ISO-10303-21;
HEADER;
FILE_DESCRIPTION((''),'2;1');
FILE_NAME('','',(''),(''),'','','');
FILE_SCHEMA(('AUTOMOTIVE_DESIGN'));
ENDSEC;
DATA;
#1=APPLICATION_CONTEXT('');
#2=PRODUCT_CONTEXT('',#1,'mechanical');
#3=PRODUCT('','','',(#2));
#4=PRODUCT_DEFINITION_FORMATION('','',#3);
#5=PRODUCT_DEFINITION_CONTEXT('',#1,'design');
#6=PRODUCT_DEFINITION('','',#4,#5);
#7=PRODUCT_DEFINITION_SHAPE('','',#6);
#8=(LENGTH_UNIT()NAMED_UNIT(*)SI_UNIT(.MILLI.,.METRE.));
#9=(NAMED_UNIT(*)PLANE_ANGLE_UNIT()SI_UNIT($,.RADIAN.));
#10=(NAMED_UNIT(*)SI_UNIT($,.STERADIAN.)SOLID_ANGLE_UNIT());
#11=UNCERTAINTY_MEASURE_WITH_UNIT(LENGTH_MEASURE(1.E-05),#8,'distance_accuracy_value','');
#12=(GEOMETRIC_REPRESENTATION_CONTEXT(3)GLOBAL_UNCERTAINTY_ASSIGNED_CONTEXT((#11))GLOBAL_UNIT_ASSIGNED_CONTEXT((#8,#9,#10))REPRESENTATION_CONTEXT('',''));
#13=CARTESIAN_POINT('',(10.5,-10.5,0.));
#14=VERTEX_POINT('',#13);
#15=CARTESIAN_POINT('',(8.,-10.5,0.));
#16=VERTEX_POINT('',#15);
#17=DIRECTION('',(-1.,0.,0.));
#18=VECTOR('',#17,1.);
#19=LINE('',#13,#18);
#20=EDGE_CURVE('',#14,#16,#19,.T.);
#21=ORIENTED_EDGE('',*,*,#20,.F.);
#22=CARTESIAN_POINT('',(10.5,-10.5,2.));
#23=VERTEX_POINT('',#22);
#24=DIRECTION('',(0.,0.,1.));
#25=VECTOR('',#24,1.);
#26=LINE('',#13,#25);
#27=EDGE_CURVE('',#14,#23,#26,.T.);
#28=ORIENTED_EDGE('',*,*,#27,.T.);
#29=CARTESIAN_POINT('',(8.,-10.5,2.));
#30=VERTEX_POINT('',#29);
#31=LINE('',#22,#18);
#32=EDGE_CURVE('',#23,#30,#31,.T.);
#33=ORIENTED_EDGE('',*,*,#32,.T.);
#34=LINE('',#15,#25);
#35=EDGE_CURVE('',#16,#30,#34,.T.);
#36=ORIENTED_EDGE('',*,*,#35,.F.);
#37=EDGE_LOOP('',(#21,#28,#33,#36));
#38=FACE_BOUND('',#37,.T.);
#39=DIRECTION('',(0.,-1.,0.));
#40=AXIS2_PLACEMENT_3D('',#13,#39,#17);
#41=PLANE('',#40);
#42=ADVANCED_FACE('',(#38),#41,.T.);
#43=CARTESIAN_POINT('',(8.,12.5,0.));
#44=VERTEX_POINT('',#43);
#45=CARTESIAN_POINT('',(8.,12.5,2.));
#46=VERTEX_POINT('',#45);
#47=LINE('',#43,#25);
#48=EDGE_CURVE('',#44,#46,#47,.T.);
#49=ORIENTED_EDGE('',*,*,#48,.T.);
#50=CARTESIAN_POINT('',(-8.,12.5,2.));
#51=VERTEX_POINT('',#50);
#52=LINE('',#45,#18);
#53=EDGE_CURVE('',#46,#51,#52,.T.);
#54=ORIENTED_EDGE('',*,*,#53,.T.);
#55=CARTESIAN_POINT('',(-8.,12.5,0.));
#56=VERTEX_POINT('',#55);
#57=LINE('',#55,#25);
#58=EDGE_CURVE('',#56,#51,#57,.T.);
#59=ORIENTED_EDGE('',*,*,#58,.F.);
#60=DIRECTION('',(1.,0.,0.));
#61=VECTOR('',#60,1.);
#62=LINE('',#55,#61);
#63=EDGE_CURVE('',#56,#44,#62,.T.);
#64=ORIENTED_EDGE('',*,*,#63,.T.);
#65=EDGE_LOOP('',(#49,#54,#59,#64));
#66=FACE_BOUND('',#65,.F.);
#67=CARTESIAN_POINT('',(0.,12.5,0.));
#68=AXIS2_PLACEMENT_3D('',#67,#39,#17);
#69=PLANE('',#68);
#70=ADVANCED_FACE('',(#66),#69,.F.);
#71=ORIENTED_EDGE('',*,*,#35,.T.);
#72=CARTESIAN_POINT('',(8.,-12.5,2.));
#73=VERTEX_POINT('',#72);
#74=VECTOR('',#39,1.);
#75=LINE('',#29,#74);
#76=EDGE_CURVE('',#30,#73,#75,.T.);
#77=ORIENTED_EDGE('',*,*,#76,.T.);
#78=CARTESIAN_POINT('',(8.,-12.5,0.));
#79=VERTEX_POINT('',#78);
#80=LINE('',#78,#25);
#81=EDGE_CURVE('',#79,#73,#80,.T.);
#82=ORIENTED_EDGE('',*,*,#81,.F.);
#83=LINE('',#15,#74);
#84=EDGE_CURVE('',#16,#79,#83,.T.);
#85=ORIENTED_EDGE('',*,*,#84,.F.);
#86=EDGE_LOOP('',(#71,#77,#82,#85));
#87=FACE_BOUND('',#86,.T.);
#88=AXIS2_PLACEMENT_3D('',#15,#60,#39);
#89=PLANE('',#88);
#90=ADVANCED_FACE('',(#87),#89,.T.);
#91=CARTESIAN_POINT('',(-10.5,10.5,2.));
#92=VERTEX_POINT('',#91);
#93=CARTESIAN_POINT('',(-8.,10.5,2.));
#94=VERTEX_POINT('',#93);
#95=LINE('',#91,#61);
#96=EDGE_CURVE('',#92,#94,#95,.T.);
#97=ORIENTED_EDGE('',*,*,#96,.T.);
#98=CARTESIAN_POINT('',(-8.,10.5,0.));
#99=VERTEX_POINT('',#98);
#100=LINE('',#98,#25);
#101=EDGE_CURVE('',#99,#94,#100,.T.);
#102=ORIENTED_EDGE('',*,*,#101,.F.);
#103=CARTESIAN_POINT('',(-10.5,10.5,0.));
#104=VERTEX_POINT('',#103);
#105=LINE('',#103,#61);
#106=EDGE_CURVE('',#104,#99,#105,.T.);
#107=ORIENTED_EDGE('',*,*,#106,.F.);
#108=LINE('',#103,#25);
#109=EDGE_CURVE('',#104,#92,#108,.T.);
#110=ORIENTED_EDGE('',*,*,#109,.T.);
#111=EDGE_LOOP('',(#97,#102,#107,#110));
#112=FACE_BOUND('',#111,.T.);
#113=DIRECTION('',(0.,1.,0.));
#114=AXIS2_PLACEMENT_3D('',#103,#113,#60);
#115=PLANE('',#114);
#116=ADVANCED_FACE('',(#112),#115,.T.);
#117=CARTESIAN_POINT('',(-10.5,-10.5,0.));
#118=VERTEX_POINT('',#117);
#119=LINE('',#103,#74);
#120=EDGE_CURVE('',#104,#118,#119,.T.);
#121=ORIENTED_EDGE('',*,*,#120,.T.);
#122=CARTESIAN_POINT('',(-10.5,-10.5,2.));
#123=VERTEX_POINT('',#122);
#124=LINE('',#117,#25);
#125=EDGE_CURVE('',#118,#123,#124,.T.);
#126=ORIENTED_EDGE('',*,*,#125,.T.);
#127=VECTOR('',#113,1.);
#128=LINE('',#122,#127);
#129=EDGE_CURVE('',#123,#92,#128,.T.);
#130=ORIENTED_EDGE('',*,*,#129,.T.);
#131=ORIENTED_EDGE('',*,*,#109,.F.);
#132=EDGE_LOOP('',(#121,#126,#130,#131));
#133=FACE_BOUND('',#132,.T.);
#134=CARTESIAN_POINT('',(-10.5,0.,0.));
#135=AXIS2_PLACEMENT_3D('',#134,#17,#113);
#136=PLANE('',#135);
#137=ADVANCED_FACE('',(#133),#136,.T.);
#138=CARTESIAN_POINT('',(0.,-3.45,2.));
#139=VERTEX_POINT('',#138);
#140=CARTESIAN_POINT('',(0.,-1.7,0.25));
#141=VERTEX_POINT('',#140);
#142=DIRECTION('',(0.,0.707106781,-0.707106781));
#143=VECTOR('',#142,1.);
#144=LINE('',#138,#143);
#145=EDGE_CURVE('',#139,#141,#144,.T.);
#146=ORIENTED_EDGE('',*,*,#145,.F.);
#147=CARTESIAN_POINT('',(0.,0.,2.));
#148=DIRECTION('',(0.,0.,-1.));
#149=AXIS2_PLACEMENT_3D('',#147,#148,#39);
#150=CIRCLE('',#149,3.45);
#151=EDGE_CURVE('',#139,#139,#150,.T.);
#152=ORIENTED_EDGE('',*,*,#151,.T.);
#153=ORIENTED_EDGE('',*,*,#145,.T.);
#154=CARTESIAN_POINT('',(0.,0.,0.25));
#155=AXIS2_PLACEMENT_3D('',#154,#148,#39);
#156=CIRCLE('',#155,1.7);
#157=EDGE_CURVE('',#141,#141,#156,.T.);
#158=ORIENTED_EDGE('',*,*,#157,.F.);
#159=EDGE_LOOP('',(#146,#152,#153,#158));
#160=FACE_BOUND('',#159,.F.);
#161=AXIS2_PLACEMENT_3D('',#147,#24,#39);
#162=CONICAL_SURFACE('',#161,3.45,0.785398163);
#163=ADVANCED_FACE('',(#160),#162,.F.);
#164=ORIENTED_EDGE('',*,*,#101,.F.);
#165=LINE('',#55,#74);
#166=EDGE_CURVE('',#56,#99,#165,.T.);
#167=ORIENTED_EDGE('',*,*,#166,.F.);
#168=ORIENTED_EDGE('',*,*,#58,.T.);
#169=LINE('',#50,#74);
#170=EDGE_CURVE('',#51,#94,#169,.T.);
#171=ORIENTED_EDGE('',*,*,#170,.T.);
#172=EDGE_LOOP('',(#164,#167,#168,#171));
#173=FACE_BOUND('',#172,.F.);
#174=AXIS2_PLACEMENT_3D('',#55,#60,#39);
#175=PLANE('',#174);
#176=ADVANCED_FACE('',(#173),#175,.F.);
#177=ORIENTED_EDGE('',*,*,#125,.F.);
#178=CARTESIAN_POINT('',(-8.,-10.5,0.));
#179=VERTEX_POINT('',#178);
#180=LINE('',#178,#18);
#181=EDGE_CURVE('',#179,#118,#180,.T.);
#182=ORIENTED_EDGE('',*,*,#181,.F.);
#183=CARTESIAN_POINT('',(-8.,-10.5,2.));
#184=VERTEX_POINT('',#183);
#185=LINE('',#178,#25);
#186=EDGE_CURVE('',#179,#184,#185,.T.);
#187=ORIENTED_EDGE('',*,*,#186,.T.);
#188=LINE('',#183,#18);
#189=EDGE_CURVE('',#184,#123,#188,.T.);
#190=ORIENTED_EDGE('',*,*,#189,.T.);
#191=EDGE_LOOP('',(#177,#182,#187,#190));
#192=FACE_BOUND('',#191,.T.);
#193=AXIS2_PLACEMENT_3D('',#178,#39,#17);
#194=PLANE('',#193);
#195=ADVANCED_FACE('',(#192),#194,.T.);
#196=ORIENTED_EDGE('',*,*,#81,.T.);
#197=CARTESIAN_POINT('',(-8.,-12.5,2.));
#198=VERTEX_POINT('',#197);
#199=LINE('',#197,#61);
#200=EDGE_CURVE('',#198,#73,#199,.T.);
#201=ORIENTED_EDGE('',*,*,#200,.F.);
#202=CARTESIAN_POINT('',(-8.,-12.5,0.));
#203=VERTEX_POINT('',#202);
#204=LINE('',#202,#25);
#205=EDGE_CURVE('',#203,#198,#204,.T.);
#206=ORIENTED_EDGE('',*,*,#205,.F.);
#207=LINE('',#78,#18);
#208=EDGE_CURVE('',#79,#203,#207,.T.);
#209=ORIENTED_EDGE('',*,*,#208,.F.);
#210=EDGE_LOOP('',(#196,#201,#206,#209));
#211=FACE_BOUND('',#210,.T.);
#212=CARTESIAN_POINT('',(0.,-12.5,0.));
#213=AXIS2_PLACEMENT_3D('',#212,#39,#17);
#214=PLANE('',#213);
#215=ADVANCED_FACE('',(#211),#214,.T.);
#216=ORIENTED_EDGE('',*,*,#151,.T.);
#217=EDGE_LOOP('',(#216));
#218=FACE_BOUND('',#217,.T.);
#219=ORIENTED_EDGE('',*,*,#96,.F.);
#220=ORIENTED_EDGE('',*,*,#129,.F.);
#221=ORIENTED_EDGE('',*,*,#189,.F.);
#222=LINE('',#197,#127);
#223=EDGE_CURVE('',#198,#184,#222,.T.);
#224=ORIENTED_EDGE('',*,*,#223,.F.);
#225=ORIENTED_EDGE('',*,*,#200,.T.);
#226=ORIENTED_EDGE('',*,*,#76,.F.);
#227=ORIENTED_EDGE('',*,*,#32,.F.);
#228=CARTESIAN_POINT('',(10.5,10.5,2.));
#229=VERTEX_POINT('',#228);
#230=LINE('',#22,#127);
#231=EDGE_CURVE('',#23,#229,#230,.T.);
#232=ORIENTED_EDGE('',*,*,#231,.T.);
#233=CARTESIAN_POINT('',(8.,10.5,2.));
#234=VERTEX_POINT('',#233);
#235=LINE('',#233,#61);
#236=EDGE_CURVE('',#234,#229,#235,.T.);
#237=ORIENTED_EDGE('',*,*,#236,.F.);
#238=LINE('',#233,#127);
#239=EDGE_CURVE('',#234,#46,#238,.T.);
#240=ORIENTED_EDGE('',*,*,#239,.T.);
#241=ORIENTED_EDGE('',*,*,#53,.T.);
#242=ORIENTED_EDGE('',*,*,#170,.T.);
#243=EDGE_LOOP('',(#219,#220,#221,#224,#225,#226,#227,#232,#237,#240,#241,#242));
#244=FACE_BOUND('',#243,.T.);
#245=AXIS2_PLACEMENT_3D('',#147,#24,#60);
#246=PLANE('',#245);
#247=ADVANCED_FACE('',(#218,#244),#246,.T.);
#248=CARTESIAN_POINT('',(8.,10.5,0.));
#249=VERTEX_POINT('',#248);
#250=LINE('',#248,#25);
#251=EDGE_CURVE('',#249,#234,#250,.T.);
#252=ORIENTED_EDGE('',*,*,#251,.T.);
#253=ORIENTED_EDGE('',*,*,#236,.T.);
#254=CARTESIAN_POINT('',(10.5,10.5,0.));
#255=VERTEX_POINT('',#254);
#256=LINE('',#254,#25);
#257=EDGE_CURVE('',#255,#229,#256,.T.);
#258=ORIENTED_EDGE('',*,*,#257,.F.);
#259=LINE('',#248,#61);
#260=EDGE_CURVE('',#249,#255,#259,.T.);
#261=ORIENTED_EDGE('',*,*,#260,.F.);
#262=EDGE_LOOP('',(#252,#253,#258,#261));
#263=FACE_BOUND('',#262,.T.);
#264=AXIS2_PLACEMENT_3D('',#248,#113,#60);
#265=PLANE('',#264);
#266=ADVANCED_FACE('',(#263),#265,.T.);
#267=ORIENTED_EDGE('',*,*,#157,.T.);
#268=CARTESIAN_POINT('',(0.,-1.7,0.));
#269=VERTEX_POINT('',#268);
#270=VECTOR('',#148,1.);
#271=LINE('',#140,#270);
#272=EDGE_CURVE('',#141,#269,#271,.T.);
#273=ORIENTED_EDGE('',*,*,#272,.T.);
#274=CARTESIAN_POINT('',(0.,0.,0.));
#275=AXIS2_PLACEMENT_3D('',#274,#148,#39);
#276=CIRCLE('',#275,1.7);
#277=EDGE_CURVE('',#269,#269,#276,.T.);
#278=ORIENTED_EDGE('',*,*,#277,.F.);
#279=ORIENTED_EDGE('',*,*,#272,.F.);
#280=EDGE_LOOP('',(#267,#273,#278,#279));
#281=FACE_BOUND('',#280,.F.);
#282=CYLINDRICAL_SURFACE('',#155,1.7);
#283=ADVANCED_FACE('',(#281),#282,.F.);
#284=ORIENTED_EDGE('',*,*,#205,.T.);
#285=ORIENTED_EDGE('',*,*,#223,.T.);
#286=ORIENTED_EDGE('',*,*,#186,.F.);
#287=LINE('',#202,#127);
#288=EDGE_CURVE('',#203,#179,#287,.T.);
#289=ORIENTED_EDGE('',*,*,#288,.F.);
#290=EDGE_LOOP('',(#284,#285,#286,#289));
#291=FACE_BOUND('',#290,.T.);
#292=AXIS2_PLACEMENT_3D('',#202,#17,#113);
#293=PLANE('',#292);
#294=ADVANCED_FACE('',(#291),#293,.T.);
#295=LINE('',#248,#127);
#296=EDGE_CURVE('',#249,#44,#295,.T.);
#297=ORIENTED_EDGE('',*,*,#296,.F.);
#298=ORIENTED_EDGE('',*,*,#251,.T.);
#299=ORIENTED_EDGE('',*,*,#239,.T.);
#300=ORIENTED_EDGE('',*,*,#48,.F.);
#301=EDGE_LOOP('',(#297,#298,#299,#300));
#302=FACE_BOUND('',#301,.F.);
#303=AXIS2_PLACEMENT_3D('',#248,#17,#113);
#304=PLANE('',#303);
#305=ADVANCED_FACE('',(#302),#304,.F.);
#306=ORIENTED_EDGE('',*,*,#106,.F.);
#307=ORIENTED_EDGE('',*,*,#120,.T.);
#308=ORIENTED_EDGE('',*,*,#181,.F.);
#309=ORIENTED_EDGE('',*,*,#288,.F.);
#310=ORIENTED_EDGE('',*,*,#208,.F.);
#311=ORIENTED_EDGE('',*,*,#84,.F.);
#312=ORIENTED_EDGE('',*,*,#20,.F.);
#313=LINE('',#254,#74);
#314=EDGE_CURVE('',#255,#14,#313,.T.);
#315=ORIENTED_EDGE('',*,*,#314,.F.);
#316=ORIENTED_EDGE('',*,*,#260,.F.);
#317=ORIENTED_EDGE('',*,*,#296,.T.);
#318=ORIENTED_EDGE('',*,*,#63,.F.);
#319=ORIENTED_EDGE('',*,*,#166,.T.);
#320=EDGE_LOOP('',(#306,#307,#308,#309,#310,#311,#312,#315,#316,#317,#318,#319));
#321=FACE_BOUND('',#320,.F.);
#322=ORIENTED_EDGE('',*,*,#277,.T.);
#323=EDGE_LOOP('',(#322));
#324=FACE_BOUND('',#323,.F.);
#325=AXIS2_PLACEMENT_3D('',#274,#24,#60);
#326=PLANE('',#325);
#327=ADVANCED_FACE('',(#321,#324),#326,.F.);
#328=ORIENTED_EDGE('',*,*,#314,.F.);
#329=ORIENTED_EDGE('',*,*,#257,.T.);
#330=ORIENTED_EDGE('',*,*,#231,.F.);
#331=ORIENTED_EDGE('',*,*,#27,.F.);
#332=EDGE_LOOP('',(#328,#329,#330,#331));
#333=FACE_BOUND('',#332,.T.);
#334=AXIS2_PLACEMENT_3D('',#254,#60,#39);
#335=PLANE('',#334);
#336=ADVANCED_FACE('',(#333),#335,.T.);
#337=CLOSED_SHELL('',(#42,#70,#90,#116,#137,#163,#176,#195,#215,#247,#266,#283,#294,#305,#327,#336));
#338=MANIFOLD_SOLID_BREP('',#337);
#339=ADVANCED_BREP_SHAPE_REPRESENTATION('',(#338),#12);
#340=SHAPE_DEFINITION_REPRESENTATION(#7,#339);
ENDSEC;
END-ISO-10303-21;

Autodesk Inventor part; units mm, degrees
ref_plane "YZ Plane" through (0, 0, 0) normal (1, 0, 0) x (0, 1, 0)
ref_plane "XZ Plane" through (0, 0, 0) normal (0, 1, 0) x (-1, 0, 0)
ref_plane "XY Plane" through (0, 0, 0) normal (0, 0, 1) x (1, 0, 0)
sketch "Skizze1" plane through (0, 0, 0) normal (0, 0, 1) x (1, 0, 0)
  line L0 (-14.7, 0) -> (14.7, 0) projected
  line L1 (0, -17.5) -> (0, 17.5) projected
  line L2 (10.5, 10.5) -> (10.5, -10.5)
  line L3 (-10.5, -10.5) -> (-10.5, 10.5)
  line L4 (8, 10.5) -> (8, 12.5)
  line L5 (8, 12.5) -> (-8, 12.5)
  line L6 (-8, 12.5) -> (-8, 10.5)
  line L7 (8, -10.5) -> (8, -12.5)
  line L8 (8, -12.5) -> (-8, -12.5)
  line L9 (-8, -12.5) -> (-8, -10.5)
  line L10 (-10.5, 10.5) -> (-8, 10.5)
  line L11 (8, 10.5) -> (10.5, 10.5)
  line L12 (10.5, -10.5) -> (8, -10.5)
  line L13 (-8, -10.5) -> (-10.5, -10.5)
  point P0 (0, 0)
  dimension "d0" = 21
  dimension "d1" = 21
  dimension "d2" = 25
  dimension "d3" = 16
extrude "Extrusion1" add sketch "Skizze1" along normal blind 2
sketch "Skizze2" plane through (0, 0, 2) normal (0, 0, 1) x (1, 0, 0)
  point P0 (0, 0)
  point P1 (0, 0)
hole "Bohrung1" at (0, 0, 2) direction (0, 0, -1) diameter 3.4 end through all countersink diameter 6.9 countersink angle 90
properties part number "13_0204_042"
